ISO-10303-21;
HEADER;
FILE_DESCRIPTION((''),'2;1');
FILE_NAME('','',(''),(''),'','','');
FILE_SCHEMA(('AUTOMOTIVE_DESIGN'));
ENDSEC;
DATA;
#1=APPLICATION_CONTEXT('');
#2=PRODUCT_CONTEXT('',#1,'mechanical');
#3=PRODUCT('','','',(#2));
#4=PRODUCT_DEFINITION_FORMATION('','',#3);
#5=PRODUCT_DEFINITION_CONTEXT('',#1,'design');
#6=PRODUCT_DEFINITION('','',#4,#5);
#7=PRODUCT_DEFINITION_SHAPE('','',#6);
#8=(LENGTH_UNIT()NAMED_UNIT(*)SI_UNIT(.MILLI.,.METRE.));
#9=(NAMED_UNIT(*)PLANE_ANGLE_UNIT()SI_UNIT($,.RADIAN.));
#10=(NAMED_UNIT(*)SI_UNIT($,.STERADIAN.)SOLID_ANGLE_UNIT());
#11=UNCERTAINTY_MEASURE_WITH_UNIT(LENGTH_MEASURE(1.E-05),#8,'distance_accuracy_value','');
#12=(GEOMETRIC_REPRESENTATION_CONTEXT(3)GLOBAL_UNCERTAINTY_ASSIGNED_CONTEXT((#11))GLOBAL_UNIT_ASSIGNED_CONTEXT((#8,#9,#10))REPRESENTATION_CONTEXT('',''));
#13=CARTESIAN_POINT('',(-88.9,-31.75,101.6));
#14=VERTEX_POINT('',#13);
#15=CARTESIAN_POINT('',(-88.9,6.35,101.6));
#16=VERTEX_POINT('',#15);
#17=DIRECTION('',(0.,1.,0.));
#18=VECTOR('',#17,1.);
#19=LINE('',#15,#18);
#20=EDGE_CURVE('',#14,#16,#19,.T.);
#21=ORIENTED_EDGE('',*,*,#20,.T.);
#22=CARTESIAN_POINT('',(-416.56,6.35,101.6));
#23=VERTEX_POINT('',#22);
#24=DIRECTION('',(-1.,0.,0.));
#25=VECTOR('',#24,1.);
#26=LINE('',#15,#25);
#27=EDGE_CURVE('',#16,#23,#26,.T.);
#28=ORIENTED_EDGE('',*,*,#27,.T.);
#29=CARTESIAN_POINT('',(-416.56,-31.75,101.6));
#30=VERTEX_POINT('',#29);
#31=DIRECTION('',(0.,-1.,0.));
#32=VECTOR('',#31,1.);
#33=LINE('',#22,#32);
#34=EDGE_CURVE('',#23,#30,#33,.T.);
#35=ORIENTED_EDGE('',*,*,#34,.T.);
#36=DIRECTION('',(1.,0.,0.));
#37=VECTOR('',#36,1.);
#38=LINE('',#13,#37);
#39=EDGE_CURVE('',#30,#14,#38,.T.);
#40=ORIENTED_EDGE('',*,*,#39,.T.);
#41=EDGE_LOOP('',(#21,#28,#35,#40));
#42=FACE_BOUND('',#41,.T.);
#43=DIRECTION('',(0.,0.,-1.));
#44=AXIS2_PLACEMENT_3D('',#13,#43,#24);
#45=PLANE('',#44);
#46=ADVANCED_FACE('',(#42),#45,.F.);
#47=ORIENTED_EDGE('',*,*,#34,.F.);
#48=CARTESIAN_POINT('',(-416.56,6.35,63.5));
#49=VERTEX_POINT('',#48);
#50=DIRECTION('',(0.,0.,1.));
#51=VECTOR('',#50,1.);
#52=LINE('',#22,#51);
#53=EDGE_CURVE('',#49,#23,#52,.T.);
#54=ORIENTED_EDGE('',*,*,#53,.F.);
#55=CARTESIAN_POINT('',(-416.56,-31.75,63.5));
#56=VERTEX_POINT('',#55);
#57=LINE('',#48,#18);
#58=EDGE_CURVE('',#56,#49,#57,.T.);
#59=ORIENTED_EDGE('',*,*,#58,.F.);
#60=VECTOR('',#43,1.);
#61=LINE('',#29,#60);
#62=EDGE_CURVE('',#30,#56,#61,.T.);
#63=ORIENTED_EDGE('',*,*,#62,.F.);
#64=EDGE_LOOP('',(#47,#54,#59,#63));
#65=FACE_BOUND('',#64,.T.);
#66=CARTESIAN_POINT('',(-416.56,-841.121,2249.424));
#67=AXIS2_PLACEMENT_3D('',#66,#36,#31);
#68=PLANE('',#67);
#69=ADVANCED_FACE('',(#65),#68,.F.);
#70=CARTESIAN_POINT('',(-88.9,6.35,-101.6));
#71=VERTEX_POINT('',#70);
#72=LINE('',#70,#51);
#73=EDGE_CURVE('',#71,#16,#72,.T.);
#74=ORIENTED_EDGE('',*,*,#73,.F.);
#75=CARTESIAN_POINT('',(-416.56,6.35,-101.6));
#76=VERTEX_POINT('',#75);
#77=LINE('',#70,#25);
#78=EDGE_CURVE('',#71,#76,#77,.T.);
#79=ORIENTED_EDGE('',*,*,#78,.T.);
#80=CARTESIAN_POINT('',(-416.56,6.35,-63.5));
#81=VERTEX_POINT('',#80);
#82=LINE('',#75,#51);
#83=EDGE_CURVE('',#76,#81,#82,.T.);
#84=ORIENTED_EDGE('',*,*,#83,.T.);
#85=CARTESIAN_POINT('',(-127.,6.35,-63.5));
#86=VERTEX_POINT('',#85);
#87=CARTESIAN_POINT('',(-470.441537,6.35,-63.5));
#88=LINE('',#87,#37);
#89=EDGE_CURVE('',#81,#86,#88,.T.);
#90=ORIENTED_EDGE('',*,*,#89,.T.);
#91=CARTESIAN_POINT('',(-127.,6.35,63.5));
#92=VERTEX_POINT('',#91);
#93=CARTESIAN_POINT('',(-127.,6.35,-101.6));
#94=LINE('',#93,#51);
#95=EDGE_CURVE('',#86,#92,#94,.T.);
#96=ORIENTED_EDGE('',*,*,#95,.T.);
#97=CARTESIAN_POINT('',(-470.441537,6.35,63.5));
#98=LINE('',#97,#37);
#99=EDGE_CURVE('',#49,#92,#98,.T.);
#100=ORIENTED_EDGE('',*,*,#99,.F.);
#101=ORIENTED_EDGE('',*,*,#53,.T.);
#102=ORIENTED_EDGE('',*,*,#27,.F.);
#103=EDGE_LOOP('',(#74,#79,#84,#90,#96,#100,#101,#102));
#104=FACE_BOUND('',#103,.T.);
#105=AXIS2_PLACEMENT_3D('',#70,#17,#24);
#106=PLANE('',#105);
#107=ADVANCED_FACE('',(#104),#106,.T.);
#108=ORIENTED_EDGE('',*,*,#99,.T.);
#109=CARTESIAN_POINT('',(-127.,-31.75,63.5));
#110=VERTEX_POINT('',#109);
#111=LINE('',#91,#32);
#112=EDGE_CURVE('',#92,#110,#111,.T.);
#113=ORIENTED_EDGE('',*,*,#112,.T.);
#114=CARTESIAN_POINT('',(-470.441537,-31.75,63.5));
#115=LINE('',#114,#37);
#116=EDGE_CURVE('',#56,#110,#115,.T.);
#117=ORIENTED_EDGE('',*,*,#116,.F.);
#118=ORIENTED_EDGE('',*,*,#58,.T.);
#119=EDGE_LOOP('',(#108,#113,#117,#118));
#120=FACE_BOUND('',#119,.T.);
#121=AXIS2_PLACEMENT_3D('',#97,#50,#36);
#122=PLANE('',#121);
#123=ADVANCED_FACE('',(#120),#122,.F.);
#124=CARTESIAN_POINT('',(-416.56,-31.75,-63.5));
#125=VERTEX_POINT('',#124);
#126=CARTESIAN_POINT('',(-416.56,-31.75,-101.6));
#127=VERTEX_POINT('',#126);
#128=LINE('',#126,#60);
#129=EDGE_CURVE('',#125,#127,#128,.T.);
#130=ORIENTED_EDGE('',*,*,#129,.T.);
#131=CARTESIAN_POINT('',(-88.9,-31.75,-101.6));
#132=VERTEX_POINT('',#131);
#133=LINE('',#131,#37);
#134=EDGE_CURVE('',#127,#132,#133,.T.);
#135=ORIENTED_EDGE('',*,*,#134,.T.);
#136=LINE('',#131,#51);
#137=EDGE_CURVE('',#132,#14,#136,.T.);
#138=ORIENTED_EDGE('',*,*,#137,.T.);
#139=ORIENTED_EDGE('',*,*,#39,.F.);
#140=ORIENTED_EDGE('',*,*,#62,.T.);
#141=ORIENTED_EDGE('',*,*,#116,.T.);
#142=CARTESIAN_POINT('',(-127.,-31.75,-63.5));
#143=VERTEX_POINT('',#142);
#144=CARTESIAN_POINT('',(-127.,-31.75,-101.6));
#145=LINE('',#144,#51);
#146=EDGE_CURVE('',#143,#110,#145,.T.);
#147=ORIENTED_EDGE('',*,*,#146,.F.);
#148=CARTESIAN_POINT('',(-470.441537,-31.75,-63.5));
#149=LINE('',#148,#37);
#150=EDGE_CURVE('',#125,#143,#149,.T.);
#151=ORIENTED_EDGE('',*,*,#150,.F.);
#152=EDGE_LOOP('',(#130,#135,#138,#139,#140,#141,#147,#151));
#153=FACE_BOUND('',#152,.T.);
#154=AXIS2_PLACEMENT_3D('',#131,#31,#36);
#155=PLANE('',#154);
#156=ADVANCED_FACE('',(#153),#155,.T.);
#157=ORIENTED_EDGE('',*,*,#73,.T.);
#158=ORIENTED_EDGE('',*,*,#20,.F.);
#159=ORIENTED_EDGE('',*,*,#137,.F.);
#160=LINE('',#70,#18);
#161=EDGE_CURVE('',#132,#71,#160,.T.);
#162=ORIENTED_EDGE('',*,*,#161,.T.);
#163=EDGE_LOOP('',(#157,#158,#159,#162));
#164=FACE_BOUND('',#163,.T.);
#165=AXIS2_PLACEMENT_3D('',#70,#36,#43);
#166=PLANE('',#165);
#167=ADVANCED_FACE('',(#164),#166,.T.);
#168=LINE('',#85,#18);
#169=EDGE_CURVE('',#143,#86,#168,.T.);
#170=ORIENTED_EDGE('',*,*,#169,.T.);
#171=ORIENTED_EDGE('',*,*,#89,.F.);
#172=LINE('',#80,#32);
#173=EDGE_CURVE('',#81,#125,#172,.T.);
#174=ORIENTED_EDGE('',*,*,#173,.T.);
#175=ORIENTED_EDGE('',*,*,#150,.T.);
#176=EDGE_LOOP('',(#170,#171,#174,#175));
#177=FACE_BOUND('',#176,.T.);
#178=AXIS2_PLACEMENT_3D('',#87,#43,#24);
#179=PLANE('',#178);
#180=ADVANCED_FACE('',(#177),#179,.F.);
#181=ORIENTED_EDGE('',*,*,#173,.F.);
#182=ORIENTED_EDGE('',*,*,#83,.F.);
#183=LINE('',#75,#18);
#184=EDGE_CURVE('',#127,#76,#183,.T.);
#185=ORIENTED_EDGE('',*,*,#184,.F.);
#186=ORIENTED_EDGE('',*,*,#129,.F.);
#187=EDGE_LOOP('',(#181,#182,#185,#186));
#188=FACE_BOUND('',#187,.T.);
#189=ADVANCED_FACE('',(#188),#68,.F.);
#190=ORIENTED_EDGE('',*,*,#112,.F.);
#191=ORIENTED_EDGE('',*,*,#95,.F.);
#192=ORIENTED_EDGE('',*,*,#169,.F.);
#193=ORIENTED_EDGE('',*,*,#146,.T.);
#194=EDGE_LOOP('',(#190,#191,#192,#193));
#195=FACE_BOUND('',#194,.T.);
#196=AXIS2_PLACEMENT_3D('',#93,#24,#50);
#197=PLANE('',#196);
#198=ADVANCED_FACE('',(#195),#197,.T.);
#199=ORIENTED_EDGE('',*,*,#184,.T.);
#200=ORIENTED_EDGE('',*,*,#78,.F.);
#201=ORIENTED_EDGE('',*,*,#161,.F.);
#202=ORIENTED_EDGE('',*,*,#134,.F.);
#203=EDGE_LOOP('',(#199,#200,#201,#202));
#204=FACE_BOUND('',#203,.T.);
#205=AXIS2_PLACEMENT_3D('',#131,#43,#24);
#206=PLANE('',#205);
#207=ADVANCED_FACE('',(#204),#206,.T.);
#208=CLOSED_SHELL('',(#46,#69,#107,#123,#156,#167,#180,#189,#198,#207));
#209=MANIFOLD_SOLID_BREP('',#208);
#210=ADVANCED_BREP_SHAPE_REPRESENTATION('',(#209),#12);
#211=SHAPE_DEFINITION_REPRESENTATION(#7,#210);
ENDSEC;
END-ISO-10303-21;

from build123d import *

# Parameters (mm, degrees)
BOSS_EXTRUDE1_DEPTH      = 101.6
BOSS_EXTRUDE1_DEPTH_BACK = 101.6
SKETCH1_W                = 38.1
SKETCH1_H                = 38.1
SKETCH2_W                = 38.1
SKETCH2_H                = 38.1
BOSS_EXTRUDE2_DEPTH      = 289.56


with BuildPart() as part:
    # Sketch1 → Boss-Extrude1 (new, two sides: drawn at the far end of the back side and taken through both)
    with BuildSketch(Plane.XY.offset(-BOSS_EXTRUDE1_DEPTH_BACK)):
        with Locations((-107.95, -12.7)):
            Rectangle(SKETCH1_W, SKETCH1_H)
    extrude(amount=BOSS_EXTRUDE1_DEPTH + BOSS_EXTRUDE1_DEPTH_BACK)

    # Sketch2 → Boss-Extrude2 (add)
    with BuildSketch(Plane.ZY.offset(127)):
        with Locations((82.55, -12.7)):
            Rectangle(SKETCH2_W, SKETCH2_H)
        with Locations((-82.55, -12.7)):
            Rectangle(SKETCH2_W, SKETCH2_H)
    extrude(amount=BOSS_EXTRUDE2_DEPTH)


solid = part.part
